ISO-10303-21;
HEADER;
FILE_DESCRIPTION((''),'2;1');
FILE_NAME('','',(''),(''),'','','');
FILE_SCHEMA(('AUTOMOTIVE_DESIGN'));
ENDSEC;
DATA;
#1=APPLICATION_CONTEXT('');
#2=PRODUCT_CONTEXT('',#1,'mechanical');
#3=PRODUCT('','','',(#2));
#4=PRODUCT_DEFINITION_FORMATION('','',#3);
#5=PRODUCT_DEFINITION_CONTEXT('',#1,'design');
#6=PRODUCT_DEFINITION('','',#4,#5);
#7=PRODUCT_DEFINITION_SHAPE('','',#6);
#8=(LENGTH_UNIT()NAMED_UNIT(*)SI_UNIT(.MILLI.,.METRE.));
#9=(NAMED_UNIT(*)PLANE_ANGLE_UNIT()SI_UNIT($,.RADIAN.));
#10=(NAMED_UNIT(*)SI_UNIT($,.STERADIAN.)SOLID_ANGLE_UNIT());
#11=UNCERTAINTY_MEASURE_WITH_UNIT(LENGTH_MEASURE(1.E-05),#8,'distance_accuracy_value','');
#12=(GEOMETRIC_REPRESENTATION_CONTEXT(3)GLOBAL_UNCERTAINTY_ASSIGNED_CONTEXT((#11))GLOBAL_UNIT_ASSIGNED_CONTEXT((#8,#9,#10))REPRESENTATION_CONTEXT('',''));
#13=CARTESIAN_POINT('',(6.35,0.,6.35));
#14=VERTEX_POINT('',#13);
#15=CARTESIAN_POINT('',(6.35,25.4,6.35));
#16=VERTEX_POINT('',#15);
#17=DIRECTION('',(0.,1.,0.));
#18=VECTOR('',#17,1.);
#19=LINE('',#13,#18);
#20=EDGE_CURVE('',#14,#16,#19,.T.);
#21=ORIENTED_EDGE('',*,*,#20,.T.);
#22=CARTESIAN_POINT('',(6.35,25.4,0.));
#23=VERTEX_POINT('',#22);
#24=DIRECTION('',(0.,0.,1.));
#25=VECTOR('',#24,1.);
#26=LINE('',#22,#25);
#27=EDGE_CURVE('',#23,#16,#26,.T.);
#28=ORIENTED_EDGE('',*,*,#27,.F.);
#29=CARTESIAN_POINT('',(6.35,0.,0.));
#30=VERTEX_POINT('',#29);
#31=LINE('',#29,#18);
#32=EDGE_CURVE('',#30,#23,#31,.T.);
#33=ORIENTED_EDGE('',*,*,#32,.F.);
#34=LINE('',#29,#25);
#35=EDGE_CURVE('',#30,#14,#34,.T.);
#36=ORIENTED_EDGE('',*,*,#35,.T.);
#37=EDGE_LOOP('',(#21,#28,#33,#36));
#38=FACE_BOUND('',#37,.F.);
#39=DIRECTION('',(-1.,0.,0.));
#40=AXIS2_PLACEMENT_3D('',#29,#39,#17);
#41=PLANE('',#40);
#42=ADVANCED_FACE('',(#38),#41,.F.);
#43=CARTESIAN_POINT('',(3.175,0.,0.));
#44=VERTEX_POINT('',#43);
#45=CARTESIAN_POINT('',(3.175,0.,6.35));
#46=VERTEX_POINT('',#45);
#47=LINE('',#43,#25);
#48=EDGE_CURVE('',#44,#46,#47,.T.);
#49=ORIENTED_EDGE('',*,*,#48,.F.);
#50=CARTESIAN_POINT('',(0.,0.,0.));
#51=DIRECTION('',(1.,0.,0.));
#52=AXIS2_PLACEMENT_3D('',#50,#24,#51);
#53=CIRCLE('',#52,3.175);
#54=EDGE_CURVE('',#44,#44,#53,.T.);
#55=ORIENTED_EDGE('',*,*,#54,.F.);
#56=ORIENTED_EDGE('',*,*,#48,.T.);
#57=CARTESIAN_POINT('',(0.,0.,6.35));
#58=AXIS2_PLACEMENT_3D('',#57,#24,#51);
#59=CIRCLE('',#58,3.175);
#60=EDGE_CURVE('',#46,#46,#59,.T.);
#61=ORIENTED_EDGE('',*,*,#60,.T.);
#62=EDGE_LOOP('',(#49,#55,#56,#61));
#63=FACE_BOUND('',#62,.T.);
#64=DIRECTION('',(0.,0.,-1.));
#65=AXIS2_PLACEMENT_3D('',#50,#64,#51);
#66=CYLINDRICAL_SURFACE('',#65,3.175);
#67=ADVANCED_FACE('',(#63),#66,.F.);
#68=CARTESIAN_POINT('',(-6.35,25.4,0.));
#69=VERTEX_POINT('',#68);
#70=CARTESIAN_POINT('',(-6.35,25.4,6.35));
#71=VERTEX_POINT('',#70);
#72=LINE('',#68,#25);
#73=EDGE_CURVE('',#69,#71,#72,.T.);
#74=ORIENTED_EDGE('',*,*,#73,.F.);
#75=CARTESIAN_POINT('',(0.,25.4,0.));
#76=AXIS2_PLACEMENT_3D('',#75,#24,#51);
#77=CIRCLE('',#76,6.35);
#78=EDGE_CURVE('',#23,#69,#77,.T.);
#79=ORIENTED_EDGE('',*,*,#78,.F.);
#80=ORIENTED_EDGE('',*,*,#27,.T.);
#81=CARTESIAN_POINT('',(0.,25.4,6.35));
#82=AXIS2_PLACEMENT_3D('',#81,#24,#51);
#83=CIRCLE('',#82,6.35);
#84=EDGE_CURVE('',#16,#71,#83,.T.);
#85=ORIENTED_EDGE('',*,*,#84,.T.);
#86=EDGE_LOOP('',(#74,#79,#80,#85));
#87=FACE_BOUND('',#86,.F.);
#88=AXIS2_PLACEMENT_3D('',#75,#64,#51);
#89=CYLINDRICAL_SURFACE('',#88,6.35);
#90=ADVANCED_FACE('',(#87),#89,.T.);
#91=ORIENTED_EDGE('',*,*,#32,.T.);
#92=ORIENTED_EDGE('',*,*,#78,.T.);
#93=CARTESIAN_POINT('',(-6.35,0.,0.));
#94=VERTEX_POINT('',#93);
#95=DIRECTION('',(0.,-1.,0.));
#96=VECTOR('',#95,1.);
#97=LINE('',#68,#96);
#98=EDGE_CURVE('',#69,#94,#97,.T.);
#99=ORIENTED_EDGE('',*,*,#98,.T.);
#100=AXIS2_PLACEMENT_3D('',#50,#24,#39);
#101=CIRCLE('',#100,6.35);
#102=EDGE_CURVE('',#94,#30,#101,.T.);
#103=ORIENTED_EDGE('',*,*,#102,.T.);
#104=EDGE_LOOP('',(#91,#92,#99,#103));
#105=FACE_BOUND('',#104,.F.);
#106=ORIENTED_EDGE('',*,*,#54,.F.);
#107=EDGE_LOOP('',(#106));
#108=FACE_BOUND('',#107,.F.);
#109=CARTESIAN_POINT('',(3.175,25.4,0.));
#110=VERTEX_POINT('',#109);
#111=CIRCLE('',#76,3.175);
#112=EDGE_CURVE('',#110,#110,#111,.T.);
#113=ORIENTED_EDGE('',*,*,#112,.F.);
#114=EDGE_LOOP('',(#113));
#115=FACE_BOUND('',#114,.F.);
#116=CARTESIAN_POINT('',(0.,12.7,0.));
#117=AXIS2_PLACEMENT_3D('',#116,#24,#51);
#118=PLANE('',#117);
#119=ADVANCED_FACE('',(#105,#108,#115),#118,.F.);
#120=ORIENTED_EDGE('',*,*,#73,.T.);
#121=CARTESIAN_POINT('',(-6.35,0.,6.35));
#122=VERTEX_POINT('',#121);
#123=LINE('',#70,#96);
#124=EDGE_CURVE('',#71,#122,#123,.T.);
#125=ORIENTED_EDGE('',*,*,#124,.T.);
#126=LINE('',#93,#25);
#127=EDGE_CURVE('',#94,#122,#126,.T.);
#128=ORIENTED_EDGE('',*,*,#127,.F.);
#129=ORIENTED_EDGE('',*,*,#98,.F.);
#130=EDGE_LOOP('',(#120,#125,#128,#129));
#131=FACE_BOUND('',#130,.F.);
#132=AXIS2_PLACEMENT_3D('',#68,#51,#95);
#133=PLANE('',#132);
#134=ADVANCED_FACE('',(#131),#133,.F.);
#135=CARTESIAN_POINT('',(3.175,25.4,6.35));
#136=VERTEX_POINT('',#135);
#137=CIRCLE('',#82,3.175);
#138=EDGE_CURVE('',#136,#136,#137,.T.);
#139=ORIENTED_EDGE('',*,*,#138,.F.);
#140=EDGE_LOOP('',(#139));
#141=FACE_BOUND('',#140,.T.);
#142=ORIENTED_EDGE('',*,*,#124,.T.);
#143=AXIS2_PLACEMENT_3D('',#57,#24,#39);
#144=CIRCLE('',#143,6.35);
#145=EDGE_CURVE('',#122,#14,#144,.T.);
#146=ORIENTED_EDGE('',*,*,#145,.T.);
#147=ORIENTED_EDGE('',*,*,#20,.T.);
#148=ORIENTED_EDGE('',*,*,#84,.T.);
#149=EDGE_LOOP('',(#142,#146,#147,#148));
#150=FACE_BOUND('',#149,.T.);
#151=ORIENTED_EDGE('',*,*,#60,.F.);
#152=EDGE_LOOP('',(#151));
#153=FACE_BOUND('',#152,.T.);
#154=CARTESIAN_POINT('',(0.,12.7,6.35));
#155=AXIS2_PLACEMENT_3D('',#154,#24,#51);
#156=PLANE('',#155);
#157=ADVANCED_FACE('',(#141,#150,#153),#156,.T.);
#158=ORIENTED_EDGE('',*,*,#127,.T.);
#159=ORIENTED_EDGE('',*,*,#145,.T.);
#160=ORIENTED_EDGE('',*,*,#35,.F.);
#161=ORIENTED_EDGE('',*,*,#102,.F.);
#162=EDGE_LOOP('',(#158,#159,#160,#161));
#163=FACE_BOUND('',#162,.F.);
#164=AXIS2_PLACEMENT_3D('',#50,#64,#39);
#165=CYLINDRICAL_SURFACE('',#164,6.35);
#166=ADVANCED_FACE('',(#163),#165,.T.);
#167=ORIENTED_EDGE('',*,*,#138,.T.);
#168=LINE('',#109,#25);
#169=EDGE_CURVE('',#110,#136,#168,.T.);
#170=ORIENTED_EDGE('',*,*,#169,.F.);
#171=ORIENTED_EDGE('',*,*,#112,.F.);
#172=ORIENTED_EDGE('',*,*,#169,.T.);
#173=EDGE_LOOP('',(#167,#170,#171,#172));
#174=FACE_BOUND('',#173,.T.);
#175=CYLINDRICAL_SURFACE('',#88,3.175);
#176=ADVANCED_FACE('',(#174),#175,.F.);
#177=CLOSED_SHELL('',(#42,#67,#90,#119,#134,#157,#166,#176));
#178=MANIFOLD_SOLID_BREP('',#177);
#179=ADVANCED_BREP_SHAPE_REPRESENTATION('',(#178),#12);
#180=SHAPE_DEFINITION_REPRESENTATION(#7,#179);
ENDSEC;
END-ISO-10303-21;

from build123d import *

# Parameters (mm, degrees)
SKETCH1_R           = 3.175
BOSS_EXTRUDE1_DEPTH = 6.35


with BuildPart() as part:
    # Sketch1 → Boss-Extrude1 (new body)
    with BuildSketch(Plane.XY):
        with BuildLine():
            Line((-6.35, 25.4), (-6.35, 0))
            ThreePointArc((-6.35, 0), (0, -6.35), (6.35, 0))
            Line((6.35, 0), (6.35, 25.4))
            ThreePointArc((6.35, 25.4), (0, 31.75), (-6.35, 25.4))
        make_face()
        Circle(SKETCH1_R, mode=Mode.SUBTRACT)
        with Locations((0, 25.4)):
            Circle(SKETCH1_R, mode=Mode.SUBTRACT)
    extrude(amount=BOSS_EXTRUDE1_DEPTH)


solid = part.part
